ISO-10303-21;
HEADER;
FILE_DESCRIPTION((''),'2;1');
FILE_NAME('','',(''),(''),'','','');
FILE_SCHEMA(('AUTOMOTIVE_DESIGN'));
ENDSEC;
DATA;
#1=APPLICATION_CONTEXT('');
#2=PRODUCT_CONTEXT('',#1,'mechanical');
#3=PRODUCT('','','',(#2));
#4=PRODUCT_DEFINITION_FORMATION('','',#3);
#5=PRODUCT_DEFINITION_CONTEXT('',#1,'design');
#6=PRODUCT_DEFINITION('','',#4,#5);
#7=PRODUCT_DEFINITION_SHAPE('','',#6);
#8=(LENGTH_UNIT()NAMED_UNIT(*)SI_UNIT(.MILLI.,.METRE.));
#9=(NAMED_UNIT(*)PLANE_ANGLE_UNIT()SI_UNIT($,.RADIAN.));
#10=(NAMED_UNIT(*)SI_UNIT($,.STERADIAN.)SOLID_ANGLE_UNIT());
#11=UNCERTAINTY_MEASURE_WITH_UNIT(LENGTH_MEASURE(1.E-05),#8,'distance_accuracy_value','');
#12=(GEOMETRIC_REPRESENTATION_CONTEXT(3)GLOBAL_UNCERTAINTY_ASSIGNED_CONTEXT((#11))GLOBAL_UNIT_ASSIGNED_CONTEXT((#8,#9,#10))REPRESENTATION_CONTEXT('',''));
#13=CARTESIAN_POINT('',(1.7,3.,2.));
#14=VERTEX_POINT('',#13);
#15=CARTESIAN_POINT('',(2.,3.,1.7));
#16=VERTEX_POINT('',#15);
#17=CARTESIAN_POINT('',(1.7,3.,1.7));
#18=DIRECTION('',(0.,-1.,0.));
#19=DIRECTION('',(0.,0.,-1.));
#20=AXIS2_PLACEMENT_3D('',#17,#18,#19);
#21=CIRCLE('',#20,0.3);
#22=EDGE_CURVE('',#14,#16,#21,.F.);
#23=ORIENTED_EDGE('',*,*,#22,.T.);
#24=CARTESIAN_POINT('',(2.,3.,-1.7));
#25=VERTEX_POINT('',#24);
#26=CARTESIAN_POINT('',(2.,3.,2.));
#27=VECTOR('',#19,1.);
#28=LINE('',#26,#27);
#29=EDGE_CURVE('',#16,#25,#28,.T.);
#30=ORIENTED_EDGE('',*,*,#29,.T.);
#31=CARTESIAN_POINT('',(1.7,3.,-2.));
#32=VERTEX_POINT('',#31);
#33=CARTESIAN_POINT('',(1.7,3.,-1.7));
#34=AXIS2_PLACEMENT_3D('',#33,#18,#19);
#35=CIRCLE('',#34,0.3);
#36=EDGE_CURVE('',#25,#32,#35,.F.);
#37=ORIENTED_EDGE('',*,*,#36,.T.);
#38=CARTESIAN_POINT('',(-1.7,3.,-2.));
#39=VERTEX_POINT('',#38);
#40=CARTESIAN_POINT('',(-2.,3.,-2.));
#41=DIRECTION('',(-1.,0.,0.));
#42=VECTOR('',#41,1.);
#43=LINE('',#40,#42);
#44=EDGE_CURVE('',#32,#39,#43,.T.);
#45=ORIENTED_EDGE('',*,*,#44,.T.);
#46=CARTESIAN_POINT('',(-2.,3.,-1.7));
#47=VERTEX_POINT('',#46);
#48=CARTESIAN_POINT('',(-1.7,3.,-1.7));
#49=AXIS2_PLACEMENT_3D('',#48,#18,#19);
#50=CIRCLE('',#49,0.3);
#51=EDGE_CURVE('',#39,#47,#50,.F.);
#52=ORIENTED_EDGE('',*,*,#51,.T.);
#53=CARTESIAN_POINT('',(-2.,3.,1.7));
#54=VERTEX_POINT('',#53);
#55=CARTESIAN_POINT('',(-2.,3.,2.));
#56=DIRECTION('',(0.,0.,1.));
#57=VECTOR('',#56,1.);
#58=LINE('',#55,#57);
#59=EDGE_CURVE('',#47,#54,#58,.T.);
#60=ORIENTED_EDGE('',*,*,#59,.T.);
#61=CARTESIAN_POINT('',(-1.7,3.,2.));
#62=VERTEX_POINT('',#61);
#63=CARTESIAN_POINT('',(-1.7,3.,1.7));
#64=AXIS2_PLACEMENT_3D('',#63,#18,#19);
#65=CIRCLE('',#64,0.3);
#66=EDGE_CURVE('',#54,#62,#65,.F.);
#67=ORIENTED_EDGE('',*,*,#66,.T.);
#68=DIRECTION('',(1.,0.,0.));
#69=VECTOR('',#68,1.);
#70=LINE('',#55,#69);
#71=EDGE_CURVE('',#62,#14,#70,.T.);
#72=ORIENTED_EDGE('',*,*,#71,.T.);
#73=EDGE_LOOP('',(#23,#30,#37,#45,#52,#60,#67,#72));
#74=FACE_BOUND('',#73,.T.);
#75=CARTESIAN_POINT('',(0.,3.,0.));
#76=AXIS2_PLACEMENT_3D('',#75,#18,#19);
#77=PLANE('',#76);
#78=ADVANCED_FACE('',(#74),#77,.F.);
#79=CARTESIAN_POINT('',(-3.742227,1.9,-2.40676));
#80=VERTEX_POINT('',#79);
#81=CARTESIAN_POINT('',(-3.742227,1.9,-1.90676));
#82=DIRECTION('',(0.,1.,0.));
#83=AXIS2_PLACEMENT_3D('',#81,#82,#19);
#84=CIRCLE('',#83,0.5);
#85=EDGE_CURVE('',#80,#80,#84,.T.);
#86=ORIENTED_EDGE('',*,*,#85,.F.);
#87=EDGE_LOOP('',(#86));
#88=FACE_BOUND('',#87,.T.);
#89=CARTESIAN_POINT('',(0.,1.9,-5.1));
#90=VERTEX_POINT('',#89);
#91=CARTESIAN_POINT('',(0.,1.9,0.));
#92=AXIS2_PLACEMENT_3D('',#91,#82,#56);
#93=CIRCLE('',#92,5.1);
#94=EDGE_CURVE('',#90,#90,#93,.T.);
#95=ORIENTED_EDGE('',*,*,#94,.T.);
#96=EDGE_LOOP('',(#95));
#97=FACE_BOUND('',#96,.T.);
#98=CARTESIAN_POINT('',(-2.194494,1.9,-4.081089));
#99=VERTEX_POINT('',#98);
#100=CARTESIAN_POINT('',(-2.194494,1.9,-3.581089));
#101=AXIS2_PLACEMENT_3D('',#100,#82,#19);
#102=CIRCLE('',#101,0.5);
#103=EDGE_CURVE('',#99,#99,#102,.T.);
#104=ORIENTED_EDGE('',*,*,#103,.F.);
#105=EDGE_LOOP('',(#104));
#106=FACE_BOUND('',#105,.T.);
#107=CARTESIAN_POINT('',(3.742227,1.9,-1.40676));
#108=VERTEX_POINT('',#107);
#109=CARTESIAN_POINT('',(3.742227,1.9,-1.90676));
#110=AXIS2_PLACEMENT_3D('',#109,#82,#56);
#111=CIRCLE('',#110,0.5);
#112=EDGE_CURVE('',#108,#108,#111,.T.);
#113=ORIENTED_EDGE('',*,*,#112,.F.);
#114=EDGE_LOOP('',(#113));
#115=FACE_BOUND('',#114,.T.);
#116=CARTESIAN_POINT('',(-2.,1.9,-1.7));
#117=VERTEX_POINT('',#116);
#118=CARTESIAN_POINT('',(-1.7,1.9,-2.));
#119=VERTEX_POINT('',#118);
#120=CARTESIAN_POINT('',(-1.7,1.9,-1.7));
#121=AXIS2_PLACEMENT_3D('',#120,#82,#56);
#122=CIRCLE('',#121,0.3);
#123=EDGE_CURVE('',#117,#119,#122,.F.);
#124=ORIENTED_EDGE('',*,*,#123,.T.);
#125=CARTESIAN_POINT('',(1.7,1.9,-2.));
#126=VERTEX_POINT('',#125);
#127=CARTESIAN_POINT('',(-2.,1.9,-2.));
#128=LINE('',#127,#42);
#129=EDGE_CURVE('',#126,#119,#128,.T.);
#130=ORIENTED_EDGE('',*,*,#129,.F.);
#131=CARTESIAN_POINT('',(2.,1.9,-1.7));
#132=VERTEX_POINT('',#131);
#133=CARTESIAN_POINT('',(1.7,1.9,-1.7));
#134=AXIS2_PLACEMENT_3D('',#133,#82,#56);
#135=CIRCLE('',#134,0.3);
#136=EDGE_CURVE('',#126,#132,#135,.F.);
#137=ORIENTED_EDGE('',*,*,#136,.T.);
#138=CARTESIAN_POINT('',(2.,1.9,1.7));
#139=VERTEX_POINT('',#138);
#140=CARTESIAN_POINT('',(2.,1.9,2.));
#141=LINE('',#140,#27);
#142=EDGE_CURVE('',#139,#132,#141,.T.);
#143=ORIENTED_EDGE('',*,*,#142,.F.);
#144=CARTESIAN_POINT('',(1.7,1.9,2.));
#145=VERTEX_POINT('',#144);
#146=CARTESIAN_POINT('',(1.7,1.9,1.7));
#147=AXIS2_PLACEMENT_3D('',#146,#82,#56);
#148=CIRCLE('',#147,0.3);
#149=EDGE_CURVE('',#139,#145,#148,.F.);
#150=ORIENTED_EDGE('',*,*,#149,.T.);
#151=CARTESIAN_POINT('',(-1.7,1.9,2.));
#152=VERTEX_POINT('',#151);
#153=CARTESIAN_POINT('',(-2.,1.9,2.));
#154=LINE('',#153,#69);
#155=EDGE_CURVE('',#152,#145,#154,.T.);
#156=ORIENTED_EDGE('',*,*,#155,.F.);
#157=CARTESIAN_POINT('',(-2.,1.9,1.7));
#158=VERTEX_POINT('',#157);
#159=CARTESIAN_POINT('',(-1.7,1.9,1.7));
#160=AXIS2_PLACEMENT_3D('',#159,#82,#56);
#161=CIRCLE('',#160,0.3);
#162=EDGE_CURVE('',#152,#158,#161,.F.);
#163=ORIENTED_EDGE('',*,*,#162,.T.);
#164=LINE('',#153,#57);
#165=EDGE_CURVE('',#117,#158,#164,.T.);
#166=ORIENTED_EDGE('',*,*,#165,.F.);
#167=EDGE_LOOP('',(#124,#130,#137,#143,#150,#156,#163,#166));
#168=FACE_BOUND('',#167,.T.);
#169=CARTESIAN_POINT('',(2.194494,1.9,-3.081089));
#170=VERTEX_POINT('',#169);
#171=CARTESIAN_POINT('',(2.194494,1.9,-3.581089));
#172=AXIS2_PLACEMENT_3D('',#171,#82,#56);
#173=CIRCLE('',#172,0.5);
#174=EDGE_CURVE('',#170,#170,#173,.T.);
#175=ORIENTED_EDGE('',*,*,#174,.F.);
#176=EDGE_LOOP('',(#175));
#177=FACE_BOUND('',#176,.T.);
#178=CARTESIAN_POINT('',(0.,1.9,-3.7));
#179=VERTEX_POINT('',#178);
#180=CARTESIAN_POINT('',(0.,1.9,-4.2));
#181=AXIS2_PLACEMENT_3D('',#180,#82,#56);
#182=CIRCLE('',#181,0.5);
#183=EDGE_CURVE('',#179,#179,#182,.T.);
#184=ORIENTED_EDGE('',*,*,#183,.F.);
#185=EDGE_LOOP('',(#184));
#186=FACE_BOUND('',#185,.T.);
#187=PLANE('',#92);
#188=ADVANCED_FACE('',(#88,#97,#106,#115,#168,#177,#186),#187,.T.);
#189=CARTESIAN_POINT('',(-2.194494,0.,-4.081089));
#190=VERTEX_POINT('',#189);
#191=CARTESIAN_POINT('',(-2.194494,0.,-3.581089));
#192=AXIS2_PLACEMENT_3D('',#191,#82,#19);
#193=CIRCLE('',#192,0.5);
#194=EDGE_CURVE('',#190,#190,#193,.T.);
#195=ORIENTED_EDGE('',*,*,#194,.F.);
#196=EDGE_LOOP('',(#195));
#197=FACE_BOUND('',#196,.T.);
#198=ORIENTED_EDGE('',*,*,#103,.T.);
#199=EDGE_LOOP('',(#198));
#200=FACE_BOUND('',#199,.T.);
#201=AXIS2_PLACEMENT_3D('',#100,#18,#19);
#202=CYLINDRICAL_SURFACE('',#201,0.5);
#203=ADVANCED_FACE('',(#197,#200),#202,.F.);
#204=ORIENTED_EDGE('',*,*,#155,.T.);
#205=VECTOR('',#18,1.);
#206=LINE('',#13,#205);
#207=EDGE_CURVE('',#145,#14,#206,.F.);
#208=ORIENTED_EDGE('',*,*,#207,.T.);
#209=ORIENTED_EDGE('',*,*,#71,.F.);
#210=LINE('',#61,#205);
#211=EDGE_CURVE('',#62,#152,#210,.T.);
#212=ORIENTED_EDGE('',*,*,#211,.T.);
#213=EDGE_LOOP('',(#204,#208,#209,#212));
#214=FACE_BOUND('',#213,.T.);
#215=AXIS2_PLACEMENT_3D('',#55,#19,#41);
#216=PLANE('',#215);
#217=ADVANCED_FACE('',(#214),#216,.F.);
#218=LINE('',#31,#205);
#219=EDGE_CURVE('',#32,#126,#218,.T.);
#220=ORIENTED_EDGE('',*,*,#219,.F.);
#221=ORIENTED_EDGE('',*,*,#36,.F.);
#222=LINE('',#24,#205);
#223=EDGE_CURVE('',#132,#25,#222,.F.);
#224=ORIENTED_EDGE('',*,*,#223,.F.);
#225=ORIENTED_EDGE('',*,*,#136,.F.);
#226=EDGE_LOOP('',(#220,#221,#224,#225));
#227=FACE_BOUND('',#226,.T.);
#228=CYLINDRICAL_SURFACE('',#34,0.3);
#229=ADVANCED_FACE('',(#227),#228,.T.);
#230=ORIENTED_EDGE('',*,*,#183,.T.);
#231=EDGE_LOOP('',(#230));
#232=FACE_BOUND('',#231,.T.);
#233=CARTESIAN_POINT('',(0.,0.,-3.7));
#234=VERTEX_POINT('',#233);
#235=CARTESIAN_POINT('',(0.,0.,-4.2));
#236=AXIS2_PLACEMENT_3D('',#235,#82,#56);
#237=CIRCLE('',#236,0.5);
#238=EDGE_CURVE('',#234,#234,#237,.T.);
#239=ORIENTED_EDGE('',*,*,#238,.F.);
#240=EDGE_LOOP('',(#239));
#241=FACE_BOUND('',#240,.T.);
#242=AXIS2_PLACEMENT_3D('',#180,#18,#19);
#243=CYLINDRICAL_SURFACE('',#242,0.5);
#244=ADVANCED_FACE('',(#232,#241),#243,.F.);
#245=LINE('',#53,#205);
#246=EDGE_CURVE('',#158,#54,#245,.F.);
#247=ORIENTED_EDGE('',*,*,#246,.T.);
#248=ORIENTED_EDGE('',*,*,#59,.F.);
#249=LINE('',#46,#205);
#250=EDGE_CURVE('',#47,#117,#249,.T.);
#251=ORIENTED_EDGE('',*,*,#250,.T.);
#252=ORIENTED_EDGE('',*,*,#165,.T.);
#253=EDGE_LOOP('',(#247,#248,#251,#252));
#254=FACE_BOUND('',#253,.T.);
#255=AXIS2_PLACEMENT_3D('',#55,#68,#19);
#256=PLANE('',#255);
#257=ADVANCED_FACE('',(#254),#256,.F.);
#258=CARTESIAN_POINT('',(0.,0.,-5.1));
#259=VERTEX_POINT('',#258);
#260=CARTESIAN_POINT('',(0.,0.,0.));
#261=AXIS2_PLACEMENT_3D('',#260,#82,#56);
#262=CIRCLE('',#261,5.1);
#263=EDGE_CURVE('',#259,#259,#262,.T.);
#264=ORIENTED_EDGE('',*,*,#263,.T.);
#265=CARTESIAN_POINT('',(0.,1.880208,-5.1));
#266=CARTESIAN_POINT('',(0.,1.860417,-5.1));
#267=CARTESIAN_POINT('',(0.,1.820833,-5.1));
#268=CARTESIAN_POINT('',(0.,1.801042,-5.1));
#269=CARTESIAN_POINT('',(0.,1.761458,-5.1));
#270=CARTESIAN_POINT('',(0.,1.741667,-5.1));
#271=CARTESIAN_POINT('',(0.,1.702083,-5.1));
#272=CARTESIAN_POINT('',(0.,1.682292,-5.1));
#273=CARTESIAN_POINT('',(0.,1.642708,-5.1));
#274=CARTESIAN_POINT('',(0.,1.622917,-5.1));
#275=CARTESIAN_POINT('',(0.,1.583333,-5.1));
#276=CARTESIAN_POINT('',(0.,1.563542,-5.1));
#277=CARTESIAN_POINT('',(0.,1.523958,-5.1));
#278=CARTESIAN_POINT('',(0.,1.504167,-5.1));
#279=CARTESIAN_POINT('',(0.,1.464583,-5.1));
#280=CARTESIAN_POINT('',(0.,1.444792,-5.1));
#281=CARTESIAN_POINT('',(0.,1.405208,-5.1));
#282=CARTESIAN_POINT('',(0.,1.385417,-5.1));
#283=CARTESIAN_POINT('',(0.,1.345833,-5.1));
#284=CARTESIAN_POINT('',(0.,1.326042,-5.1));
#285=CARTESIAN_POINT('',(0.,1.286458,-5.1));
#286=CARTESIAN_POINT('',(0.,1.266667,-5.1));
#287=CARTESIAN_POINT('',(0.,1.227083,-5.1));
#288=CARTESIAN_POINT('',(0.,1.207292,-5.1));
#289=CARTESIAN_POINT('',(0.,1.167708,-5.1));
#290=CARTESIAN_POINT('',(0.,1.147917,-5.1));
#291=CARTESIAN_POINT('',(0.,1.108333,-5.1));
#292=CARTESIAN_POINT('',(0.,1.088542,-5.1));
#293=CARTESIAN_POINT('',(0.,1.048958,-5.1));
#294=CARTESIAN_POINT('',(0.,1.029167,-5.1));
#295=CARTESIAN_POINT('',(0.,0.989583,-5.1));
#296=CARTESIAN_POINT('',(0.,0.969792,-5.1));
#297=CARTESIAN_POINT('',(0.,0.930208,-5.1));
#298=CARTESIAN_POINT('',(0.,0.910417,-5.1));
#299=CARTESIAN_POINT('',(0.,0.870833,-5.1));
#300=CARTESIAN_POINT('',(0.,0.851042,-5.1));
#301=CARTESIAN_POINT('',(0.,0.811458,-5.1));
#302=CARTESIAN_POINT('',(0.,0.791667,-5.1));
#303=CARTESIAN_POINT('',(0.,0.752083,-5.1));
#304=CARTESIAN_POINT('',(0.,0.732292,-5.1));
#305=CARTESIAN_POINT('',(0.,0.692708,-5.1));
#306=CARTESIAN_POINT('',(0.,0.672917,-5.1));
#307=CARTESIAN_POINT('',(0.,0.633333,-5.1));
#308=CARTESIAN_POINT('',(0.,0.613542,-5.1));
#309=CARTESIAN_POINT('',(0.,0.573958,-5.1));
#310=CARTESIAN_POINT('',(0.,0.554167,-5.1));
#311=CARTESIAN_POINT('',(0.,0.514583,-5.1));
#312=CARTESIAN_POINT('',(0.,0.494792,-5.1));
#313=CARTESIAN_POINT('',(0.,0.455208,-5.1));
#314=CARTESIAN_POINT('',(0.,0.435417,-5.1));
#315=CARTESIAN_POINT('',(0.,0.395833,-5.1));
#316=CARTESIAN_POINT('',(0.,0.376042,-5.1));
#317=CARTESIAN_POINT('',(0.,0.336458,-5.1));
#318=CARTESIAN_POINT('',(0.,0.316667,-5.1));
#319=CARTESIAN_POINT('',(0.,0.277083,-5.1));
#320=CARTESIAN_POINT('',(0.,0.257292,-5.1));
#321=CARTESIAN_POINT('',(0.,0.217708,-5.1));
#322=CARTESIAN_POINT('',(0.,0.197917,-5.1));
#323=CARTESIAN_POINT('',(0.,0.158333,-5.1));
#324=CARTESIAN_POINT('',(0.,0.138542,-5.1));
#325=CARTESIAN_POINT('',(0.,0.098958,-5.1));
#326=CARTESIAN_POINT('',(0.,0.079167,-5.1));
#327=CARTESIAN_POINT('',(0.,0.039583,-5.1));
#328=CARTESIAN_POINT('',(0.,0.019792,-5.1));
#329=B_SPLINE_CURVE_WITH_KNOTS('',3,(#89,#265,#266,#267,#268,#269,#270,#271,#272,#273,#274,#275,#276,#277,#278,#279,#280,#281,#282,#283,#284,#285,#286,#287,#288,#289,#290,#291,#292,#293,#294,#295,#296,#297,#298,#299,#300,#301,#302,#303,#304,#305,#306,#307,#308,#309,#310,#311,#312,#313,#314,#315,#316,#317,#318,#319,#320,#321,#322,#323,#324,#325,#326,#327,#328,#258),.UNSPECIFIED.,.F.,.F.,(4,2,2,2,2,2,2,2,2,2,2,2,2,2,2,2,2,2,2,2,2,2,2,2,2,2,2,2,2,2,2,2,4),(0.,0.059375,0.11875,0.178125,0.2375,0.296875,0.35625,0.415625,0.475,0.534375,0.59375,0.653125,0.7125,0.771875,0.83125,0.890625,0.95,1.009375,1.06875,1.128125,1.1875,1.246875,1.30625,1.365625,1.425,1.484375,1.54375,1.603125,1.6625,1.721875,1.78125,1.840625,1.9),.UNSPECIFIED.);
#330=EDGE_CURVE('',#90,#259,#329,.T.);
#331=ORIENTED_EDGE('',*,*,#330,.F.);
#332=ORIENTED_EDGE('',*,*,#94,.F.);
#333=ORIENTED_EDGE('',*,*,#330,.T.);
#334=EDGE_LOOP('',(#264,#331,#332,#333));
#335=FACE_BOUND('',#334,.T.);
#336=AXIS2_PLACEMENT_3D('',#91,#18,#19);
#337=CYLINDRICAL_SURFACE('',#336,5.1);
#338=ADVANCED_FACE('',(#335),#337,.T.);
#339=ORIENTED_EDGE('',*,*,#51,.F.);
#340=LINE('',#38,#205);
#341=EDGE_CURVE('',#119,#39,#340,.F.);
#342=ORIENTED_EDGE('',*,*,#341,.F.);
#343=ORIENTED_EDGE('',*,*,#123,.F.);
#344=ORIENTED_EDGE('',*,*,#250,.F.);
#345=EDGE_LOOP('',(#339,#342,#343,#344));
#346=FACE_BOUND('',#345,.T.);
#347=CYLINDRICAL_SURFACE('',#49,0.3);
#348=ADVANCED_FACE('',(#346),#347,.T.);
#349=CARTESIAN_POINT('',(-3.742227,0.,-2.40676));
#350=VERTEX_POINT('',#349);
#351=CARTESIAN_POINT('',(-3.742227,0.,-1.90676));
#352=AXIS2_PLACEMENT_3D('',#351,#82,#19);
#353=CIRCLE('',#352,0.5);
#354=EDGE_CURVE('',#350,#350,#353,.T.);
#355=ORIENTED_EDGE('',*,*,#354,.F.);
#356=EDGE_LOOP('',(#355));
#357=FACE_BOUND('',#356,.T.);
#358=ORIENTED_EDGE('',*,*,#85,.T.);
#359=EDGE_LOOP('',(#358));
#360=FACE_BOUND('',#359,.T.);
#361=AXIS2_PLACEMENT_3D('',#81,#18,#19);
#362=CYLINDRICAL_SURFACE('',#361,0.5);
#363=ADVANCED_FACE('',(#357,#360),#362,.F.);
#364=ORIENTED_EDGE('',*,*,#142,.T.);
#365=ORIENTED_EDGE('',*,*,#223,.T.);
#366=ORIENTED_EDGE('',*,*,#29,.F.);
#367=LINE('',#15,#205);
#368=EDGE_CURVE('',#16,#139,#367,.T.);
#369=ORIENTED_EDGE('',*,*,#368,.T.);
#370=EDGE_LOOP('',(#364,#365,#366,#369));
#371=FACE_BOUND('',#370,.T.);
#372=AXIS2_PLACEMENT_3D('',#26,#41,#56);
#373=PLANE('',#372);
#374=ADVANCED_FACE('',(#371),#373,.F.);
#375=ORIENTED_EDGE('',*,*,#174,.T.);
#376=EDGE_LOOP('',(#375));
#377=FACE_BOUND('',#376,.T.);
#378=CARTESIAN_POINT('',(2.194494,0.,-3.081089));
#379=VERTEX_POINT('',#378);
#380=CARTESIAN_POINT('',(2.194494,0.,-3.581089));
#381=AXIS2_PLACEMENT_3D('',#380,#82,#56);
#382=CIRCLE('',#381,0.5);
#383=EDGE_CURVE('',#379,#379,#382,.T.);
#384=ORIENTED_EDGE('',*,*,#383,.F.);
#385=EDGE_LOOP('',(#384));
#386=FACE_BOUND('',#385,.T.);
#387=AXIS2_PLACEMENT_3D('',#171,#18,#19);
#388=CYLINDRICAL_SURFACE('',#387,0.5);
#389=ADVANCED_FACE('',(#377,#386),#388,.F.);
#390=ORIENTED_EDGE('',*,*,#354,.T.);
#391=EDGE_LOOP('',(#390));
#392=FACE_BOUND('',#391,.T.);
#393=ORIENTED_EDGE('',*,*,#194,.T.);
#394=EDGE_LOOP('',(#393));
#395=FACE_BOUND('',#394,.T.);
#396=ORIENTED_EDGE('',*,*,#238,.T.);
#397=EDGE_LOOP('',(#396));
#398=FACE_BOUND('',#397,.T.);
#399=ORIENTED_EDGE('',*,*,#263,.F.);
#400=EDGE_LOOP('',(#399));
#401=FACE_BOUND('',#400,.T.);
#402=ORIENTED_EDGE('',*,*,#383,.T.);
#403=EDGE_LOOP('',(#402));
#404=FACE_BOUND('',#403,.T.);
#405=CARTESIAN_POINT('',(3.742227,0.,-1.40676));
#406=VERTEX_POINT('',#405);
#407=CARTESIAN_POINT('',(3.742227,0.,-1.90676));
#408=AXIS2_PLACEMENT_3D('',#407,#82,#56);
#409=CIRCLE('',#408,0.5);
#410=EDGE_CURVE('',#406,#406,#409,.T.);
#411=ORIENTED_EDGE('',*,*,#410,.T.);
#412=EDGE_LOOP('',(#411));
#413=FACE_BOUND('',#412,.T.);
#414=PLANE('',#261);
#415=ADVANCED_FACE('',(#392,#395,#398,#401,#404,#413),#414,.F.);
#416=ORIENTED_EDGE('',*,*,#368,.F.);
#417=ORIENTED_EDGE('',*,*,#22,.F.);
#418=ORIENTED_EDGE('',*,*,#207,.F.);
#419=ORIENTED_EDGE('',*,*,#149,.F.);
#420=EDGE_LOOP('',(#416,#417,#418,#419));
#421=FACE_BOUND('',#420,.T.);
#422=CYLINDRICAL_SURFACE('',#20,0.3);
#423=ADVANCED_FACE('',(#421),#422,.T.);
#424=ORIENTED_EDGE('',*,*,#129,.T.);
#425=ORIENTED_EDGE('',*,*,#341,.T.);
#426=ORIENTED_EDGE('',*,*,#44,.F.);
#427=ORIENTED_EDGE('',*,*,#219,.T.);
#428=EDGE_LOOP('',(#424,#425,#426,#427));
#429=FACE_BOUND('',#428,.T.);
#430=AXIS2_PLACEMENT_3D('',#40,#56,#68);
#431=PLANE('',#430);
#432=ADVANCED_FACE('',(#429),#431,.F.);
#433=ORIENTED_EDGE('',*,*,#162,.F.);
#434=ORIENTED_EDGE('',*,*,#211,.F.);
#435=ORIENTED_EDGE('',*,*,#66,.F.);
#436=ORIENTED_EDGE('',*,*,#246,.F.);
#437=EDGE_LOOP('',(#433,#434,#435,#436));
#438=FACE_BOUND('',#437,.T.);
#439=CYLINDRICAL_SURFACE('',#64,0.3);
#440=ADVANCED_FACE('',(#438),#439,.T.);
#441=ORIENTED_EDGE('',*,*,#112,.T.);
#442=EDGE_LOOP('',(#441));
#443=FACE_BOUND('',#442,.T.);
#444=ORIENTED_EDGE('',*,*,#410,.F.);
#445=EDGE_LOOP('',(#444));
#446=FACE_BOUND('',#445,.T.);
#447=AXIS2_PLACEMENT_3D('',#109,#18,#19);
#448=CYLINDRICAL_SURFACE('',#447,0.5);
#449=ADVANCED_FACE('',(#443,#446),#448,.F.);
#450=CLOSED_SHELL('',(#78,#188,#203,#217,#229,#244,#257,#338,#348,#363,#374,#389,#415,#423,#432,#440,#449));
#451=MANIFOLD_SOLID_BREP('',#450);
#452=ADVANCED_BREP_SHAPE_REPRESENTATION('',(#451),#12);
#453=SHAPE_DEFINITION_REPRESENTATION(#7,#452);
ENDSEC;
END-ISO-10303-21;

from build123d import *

# Parameters (mm, degrees)
SKIZZE1_R                       = 5.1
SKIZZE1_R_2                     = 0.5
AUFSATZ_LINEAR_AUSTRAGEN1_DEPTH = 1.9
SKIZZE2_W                       = 4
SKIZZE2_H                       = 4
AUFSATZ_LINEAR_AUSTRAGEN2_DEPTH = 1.1
VERRUNDUNG1_R                   = 0.3


with BuildPart() as part:
    # Skizze1 → Aufsatz-Linear austragen1 (new body)
    with BuildSketch(Plane(origin=(0, 0, 0), x_dir=(1, 0, 0), z_dir=(0, 1, 0))):
        Circle(SKIZZE1_R)
        with Locations((0, 4.2)):
            Circle(SKIZZE1_R_2, mode=Mode.SUBTRACT)
        with Locations((2.194493972, 3.58108869)):
            Circle(SKIZZE1_R_2, mode=Mode.SUBTRACT)
        with Locations((3.742227402, 1.906760099)):
            Circle(SKIZZE1_R_2, mode=Mode.SUBTRACT)
        with Locations((-3.742227402, 1.906760099)):
            Circle(SKIZZE1_R_2, mode=Mode.SUBTRACT)
        with Locations((-2.194493972, 3.58108869)):
            Circle(SKIZZE1_R_2, mode=Mode.SUBTRACT)
    extrude(amount=AUFSATZ_LINEAR_AUSTRAGEN1_DEPTH)

    # Skizze2 → Aufsatz-Linear austragen2 (add)
    with BuildSketch(Plane(origin=(0, 1.9, 0), x_dir=(1, 0, 0), z_dir=(0, 1, 0))):
        Rectangle(SKIZZE2_W, SKIZZE2_H)
    extrude(amount=AUFSATZ_LINEAR_AUSTRAGEN2_DEPTH)

    # Verrundung1
    verrundung1_edges = [part.edges().sort_by_distance(p)[0] for p in [
        (-2, 2.45, 2),
        (2, 2.45, 2),
        (2, 2.45, -2),
        (-2, 2.45, -2),
    ]]
    fillet(verrundung1_edges, radius=VERRUNDUNG1_R)


solid = part.part
